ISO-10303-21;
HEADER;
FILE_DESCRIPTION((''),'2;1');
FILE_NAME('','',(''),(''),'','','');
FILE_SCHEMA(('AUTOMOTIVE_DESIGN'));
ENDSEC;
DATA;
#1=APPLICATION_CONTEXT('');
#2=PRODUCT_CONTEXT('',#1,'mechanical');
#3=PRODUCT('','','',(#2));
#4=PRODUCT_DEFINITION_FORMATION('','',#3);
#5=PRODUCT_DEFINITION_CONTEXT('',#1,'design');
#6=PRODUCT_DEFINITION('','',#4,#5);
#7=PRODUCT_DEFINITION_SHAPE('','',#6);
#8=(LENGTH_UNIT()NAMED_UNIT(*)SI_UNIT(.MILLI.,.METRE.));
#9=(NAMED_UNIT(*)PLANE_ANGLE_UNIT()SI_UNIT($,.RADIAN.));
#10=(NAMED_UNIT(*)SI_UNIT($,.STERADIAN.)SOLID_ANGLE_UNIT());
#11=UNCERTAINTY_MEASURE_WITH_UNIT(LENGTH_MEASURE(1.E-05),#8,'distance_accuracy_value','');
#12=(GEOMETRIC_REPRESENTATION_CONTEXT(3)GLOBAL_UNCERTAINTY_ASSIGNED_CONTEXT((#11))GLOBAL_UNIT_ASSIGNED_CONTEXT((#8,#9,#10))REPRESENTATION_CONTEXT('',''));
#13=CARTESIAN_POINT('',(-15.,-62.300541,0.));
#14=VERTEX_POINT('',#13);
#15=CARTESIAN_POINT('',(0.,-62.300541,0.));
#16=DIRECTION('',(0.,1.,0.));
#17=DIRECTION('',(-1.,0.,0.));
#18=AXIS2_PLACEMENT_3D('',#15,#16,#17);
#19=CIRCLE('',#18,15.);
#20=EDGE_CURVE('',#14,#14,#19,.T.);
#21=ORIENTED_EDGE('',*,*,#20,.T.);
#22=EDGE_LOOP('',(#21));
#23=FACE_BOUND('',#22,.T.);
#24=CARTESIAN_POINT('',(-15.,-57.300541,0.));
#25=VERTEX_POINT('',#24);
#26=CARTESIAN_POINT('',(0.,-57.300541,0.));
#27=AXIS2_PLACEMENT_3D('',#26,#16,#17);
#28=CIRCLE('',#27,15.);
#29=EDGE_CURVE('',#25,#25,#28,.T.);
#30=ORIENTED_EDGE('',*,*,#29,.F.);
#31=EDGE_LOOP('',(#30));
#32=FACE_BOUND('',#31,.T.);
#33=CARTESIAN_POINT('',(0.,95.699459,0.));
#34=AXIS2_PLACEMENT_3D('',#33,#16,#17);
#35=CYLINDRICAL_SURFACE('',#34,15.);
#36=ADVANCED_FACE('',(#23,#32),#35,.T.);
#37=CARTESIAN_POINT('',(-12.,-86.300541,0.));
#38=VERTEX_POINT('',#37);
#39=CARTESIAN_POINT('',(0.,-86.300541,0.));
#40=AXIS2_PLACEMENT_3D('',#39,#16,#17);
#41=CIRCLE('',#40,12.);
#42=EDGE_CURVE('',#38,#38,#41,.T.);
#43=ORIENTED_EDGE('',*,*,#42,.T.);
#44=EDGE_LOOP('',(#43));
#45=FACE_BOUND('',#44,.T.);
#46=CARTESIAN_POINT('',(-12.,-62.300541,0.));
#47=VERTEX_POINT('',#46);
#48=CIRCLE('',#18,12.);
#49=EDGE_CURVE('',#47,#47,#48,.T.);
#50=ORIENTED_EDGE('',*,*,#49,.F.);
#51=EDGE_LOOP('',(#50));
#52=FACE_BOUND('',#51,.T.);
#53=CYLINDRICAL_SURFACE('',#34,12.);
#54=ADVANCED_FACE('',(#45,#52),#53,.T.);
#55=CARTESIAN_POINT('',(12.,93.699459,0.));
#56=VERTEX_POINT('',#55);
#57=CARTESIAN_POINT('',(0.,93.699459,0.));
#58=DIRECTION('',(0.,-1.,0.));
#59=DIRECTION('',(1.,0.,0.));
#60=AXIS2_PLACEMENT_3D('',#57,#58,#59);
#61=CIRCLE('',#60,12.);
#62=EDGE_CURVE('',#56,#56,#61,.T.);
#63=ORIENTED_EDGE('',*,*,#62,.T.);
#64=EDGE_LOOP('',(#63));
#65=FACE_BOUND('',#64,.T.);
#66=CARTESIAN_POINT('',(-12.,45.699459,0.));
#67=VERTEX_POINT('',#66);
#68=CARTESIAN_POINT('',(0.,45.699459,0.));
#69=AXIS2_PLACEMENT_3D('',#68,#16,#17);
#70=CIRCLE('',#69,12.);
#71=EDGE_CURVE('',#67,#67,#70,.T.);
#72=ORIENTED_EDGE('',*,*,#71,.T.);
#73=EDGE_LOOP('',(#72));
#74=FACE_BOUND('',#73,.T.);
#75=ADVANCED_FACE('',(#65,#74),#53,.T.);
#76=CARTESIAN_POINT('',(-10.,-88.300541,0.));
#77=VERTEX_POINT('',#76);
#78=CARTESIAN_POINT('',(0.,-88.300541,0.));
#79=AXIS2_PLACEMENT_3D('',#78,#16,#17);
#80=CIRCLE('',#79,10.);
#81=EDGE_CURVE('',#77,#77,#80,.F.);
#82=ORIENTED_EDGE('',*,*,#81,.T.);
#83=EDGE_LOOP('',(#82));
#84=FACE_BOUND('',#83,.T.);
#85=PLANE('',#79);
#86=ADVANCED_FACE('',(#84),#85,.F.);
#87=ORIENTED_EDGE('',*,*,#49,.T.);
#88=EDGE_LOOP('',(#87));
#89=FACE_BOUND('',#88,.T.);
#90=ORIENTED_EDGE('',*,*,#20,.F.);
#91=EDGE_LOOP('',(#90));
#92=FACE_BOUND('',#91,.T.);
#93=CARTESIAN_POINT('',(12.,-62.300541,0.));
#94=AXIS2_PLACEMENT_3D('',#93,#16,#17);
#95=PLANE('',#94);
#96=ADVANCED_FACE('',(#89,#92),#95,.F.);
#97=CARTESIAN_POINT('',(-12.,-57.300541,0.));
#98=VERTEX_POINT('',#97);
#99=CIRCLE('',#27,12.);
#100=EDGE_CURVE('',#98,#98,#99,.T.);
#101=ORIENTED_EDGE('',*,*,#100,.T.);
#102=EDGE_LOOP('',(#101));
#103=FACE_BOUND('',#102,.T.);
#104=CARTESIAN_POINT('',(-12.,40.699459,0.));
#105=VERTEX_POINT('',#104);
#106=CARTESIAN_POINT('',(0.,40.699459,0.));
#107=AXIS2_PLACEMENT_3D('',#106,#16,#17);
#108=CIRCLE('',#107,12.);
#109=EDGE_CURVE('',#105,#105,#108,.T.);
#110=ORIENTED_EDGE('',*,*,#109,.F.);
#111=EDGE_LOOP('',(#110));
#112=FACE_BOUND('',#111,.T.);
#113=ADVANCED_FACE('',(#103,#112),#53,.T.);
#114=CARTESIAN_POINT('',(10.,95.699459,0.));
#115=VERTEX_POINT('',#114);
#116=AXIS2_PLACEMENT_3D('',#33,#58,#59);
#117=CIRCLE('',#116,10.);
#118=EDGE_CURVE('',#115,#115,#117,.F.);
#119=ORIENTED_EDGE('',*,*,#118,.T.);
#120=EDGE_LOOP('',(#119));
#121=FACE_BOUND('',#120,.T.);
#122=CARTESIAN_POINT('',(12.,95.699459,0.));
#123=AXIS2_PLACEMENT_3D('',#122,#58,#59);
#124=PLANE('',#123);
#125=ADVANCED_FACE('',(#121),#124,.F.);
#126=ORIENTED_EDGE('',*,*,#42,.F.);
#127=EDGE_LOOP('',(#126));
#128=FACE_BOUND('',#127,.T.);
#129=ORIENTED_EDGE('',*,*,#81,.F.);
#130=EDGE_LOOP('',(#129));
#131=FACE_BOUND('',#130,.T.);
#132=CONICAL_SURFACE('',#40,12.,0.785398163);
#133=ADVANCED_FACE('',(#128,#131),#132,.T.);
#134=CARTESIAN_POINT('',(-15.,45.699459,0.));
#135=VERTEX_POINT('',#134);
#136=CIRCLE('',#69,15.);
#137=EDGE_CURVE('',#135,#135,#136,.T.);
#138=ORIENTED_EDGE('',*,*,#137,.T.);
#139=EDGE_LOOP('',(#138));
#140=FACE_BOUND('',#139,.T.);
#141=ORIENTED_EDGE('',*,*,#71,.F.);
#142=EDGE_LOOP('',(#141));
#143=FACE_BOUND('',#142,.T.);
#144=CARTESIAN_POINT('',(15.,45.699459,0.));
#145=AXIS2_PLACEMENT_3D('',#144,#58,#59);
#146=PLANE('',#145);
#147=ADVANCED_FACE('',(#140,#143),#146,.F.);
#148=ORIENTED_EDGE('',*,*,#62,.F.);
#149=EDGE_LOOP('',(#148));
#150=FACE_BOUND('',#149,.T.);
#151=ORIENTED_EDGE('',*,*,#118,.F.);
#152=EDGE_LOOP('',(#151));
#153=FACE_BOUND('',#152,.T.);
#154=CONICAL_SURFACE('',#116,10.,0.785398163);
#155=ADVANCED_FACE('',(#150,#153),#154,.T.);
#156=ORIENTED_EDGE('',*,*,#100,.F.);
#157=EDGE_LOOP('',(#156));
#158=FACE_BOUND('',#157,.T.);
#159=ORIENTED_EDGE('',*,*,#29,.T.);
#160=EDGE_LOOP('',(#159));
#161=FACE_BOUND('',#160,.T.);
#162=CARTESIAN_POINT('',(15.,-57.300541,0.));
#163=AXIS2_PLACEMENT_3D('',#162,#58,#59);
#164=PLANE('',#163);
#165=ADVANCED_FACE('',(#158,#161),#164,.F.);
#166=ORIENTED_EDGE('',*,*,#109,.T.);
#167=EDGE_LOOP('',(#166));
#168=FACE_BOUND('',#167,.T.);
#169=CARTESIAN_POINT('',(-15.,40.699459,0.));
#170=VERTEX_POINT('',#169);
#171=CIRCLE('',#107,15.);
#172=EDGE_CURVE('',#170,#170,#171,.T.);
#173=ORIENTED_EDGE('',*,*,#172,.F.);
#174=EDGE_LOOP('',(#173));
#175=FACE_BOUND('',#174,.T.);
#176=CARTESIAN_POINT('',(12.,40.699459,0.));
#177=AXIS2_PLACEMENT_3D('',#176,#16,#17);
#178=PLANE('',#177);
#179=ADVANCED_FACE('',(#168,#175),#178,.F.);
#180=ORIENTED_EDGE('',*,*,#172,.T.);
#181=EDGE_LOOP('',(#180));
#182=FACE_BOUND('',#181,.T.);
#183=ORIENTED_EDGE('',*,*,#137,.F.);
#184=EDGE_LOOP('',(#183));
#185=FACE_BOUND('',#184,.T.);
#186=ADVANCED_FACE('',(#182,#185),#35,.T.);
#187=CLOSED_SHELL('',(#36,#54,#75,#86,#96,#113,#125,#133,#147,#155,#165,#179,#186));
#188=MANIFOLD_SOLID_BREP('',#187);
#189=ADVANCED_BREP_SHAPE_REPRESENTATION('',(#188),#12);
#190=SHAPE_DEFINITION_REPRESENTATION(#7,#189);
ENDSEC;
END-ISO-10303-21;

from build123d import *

# Parameters (mm, degrees)
CHAMFER1_SIZE = 2


with BuildPart() as part:
    # Sketch1 → Revolve1 (revolve)
    with BuildSketch(Plane.XY, mode=Mode.PRIVATE) as revolve1_sk:
        Polygon((0, -88.300541079), (12, -88.300541079), (12, -62.300541079), (15, -62.300541079), (15, -57.300541079), (12, -57.300541079), (12, 40.699458921), (15, 40.699458921), (15, 45.699458921), (12, 45.699458921), (12, 95.699458921), (0, 95.699458921), align=None)
    revolve(revolve1_sk.sketch.rotate(Axis((0, 95.699458921, 0), (0, -1, 0)), 180), axis=Axis((0, 95.699458921, 0), (0, -1, 0)))

    # Chamfer1
    chamfer1_edges = [part.edges().sort_by_distance(p)[0] for p in [
        (12, -88.300541079, 0),
        (12, 95.699458921, 0),
    ]]
    chamfer(chamfer1_edges, length=CHAMFER1_SIZE)


solid = part.part
